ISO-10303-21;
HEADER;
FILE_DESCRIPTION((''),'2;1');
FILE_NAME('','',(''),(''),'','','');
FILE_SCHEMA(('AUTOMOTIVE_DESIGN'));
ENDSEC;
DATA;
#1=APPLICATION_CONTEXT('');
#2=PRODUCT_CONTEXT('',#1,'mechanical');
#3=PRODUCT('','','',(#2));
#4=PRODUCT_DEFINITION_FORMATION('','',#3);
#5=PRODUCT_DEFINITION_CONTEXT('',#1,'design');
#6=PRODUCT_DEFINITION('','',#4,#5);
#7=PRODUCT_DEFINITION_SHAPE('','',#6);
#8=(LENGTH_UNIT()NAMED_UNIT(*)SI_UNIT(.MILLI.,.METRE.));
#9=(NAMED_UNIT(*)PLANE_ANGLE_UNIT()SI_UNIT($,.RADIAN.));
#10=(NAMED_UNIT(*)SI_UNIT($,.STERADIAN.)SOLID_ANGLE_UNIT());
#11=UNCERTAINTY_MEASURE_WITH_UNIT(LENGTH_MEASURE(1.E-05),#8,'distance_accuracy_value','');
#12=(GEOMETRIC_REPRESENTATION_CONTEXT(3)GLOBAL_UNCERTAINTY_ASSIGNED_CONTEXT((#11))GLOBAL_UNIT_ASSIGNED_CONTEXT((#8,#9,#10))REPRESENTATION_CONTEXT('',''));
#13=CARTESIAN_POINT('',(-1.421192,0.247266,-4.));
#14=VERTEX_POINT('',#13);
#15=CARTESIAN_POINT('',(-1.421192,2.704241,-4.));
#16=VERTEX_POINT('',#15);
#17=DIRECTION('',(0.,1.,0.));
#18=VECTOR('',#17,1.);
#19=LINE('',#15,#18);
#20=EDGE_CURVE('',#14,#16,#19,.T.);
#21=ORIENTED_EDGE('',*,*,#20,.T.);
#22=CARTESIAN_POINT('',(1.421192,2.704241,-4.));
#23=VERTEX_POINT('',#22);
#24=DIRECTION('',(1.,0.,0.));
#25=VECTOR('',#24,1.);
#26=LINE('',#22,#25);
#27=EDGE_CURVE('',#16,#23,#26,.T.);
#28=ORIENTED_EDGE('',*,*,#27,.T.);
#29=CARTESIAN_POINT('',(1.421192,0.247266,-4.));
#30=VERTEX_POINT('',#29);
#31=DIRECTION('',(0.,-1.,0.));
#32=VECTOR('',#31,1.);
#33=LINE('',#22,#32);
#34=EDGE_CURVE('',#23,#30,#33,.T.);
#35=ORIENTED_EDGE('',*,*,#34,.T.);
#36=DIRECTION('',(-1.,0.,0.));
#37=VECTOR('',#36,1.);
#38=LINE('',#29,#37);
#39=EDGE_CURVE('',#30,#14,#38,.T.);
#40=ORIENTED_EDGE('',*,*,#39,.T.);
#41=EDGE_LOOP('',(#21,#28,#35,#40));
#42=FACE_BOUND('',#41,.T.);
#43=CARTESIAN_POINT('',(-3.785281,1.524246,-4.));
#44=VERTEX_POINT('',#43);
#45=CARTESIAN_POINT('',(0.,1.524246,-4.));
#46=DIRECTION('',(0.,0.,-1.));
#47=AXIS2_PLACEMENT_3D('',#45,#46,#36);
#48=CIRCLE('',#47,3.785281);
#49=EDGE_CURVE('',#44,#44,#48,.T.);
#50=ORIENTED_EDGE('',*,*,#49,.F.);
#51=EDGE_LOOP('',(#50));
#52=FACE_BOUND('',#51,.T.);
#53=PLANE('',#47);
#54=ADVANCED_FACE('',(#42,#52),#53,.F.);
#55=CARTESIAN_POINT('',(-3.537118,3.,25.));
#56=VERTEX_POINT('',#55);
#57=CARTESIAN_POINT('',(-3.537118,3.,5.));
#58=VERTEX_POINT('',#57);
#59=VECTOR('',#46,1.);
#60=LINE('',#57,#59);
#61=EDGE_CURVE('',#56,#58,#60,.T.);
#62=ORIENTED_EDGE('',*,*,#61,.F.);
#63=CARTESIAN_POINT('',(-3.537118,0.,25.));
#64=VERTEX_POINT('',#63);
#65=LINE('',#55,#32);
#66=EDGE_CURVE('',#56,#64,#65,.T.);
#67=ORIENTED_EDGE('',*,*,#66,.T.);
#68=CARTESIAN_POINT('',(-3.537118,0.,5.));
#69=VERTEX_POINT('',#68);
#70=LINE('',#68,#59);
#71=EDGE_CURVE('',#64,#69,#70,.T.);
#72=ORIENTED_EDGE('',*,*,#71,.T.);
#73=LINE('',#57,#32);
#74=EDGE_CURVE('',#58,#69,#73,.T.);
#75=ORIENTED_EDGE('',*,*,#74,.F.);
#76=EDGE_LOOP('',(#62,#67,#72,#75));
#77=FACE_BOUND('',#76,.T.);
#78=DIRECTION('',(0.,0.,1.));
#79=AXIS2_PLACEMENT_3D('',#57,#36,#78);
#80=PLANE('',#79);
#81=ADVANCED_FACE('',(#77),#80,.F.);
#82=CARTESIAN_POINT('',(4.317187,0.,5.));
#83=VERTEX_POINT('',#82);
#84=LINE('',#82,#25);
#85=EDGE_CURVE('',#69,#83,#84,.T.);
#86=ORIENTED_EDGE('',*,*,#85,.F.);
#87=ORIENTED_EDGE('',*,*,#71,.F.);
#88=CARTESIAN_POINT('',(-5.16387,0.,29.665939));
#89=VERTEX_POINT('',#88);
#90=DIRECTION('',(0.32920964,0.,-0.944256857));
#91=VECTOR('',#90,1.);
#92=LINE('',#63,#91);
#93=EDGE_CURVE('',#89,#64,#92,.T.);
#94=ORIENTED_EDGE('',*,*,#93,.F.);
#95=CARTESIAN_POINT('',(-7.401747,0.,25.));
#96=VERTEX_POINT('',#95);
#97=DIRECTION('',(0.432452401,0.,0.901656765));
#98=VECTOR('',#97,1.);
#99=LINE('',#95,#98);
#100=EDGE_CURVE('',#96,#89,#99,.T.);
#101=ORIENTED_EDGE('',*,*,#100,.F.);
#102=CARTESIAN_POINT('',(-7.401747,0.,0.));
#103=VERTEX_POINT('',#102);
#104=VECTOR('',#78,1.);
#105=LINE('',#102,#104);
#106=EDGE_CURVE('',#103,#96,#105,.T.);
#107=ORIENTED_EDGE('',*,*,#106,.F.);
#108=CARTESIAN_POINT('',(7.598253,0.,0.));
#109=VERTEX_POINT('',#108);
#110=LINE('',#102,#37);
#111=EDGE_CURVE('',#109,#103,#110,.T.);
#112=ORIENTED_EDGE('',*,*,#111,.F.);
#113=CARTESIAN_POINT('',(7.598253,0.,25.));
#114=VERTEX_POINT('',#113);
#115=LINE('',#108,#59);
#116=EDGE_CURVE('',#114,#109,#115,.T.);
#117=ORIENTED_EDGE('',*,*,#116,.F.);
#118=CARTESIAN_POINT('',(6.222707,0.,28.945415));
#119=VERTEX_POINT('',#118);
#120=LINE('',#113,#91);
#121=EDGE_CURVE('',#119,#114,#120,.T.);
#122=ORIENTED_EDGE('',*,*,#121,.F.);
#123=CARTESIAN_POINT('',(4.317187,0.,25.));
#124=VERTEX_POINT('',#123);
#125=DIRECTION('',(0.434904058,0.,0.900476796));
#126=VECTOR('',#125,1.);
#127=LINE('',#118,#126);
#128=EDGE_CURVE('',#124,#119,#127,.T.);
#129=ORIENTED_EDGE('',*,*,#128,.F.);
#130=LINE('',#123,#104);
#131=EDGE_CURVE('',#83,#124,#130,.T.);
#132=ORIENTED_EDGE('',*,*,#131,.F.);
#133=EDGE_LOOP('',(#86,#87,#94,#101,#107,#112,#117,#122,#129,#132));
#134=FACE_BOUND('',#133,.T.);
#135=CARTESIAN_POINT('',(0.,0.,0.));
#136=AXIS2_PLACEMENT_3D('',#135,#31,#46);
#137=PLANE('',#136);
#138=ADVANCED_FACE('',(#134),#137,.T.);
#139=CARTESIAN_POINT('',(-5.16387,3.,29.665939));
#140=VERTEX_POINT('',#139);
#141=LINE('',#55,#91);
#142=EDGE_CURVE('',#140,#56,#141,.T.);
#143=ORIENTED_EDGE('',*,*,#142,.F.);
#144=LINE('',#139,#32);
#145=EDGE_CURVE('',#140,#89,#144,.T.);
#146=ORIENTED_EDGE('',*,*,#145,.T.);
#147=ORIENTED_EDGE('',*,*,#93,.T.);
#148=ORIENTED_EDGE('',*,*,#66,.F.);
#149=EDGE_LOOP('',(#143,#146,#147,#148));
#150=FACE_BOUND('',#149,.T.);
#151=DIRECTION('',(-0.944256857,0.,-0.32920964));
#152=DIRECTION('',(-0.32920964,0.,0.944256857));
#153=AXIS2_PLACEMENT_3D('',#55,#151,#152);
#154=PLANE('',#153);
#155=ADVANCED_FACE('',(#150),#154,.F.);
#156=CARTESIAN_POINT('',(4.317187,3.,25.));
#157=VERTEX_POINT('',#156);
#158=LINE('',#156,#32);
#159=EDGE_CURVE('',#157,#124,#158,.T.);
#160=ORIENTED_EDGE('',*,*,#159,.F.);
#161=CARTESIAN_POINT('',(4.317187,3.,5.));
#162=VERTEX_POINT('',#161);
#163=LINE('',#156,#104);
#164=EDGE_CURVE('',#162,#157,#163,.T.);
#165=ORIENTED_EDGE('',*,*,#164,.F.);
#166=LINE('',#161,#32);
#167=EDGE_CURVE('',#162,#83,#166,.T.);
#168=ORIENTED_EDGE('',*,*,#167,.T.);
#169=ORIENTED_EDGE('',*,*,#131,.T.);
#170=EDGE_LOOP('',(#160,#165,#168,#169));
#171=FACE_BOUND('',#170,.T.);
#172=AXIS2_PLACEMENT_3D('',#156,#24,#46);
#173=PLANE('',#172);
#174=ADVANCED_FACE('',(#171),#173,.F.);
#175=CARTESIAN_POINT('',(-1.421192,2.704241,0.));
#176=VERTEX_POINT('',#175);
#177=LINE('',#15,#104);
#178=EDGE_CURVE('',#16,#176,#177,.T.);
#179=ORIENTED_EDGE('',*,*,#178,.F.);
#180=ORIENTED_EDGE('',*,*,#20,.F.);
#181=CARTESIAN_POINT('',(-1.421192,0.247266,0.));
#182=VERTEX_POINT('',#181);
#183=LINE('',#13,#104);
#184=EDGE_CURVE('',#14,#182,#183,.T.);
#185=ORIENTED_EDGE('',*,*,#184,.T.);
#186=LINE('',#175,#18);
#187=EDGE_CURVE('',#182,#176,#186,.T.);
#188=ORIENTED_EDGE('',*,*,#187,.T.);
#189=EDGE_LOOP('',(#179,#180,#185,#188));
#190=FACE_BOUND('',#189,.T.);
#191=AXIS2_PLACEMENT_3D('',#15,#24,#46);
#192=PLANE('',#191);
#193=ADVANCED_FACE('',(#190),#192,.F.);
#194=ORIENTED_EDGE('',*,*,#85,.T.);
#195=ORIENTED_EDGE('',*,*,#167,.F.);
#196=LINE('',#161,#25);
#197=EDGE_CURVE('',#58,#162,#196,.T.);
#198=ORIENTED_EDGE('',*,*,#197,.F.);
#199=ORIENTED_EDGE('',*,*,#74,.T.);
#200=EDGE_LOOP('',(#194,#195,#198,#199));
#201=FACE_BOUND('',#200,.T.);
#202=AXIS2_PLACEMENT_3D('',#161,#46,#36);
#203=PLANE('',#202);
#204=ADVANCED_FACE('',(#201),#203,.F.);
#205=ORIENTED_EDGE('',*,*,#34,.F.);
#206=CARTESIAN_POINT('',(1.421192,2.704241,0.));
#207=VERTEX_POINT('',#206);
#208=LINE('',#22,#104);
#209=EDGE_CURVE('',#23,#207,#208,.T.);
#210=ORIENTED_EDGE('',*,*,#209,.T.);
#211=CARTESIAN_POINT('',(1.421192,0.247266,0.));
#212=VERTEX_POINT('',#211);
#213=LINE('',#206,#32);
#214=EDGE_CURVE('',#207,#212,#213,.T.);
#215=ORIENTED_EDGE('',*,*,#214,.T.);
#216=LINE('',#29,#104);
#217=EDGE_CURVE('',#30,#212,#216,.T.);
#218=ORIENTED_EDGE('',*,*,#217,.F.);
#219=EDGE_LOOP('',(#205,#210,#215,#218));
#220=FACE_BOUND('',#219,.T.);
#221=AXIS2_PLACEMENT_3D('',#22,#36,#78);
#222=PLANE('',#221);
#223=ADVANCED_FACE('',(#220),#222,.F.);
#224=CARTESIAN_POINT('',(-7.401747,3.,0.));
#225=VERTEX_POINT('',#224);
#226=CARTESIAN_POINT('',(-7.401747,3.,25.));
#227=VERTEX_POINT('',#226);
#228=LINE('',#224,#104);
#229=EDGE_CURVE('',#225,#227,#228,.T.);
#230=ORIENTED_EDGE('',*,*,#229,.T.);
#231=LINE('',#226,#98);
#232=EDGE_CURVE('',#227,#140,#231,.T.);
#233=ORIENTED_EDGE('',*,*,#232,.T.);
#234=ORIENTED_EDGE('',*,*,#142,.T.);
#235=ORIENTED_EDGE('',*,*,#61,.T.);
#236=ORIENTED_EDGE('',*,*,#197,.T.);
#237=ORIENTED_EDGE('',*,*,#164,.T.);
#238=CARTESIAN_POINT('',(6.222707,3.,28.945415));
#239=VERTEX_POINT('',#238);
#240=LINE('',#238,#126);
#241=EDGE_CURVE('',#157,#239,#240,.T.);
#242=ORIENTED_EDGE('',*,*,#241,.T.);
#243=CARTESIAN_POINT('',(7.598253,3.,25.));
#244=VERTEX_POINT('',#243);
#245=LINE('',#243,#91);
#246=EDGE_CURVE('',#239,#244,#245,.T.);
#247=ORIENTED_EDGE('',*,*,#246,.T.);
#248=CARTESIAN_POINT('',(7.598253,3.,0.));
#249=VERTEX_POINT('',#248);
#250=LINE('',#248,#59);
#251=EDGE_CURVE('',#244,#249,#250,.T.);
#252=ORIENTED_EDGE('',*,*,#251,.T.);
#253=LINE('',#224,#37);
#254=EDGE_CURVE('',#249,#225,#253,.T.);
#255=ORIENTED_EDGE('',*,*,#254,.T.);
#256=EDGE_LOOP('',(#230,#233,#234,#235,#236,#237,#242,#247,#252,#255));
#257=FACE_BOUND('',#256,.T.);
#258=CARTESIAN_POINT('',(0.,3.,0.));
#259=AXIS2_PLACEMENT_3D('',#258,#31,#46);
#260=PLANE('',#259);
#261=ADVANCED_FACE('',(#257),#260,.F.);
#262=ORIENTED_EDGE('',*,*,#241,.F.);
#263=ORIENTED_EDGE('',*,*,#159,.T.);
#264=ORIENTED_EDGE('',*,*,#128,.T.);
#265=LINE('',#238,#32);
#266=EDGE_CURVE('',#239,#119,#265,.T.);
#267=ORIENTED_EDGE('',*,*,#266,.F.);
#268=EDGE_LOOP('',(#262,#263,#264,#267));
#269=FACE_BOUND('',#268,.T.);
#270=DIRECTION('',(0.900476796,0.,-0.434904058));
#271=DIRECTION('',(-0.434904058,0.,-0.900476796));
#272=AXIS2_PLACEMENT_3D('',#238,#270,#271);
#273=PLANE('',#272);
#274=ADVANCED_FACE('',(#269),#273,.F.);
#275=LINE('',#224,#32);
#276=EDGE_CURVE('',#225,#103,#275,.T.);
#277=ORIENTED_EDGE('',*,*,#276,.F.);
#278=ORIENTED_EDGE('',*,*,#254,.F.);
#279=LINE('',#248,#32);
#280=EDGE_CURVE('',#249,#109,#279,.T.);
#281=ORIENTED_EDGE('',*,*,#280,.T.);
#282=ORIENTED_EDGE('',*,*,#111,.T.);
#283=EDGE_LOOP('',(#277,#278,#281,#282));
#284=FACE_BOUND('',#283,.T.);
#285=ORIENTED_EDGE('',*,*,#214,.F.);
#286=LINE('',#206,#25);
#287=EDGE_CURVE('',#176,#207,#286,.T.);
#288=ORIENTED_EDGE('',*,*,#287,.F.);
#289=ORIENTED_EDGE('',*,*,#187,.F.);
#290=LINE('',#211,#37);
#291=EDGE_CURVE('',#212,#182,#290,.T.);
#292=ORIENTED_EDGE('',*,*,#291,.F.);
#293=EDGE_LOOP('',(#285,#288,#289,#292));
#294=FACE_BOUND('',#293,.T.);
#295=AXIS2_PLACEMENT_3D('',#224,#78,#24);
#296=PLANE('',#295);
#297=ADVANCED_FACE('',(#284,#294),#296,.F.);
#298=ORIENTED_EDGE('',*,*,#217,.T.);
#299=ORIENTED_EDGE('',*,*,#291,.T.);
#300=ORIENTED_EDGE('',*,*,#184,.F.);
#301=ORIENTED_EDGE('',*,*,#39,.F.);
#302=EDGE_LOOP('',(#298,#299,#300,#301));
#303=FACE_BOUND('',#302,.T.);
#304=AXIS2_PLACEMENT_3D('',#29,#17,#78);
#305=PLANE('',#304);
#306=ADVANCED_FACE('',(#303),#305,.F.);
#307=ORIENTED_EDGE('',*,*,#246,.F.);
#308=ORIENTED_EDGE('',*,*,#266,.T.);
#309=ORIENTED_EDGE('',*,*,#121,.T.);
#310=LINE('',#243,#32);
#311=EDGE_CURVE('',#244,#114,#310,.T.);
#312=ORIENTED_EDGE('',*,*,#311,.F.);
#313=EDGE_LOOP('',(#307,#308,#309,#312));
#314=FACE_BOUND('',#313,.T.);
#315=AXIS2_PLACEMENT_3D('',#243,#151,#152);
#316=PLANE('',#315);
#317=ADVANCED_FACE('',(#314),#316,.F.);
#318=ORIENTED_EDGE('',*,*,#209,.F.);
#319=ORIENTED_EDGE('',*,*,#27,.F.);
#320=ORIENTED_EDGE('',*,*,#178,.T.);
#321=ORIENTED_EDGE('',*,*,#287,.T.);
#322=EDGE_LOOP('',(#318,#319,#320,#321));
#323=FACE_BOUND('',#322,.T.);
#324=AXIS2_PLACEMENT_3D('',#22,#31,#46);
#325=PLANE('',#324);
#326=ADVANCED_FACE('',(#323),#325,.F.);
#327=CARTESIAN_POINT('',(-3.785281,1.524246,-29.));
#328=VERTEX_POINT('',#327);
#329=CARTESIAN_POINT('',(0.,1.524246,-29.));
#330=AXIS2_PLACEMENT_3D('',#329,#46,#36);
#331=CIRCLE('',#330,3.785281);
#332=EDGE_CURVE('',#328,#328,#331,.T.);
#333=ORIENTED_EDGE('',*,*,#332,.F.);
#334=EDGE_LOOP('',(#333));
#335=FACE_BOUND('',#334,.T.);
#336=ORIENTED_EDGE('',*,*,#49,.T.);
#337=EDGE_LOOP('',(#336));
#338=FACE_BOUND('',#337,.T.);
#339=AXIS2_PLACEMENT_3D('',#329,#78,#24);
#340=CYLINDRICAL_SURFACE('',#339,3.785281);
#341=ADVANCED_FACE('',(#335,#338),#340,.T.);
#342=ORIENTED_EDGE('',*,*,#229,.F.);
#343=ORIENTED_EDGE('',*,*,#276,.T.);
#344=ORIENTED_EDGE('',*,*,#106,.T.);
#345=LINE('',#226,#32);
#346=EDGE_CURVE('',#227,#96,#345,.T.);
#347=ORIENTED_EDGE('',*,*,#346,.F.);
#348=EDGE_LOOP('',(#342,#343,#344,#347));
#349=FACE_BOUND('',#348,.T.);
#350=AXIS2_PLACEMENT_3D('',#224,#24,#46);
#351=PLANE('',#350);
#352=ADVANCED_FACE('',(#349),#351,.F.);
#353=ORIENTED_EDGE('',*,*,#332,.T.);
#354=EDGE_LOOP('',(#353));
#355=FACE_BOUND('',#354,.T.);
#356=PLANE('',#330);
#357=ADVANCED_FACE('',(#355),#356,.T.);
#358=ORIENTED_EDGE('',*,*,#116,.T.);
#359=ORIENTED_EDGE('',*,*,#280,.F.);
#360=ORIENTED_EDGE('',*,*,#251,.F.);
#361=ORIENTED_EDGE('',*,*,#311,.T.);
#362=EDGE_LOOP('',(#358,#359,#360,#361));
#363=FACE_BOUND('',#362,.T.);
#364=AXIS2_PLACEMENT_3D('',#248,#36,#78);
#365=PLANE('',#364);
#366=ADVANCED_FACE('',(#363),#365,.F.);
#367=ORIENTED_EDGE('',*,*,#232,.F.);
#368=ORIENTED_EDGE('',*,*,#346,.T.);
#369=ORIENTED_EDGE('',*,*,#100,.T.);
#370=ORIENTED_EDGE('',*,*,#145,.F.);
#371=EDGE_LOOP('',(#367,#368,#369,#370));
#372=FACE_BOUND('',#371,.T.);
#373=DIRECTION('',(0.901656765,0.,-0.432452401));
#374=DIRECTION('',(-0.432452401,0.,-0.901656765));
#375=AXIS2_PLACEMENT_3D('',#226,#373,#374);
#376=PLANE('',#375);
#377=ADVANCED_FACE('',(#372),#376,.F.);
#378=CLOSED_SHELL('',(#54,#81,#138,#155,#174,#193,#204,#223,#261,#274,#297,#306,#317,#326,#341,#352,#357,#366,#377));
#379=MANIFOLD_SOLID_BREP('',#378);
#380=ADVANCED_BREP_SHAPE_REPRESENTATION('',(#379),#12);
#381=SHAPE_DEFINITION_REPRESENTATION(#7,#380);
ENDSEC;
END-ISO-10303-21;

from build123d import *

# Parameters (mm, degrees)
BOSS_EXTRUDE1_DEPTH = 3
SKETCH2_W           = 2.84238377
SKETCH2_H           = 2.456975153
BOSS_EXTRUDE2_DEPTH = 4
SKETCH3_R           = 3.785280903
BOSS_EXTRUDE3_DEPTH = 25


with BuildPart() as part:
    # Sketch1 → Boss-Extrude1 (new body)
    with BuildSketch(Plane(origin=(0, 0, 0), x_dir=(1, 0, 0), z_dir=(0, 1, 0))):
        Polygon((-7.401746725, 0), (7.598253275, 0), (7.598253275, -25), (6.222707424, -28.945414847), (4.317186999, -25), (4.317186999, -5), (-3.537117904, -5), (-3.537117904, -25), (-5.163870247, -29.665938865), (-7.401746725, -25), align=None)
    extrude(amount=BOSS_EXTRUDE1_DEPTH)

    # Sketch2 → Boss-Extrude2 (add)
    with BuildSketch(Plane(origin=(0, 0, 0), x_dir=(-1, 0, 0), z_dir=(0, 0, -1))):
        with Locations((0, 1.475753534)):
            Rectangle(SKETCH2_W, SKETCH2_H)
    extrude(amount=BOSS_EXTRUDE2_DEPTH)

    # Sketch3 → Boss-Extrude3 (add)
    with BuildSketch(Plane(origin=(0, 0, -4), x_dir=(-1, 0, 0), z_dir=(0, 0, -1))):
        with Locations((0, 1.524246465)):
            Circle(SKETCH3_R)
    extrude(amount=BOSS_EXTRUDE3_DEPTH)


solid = part.part
